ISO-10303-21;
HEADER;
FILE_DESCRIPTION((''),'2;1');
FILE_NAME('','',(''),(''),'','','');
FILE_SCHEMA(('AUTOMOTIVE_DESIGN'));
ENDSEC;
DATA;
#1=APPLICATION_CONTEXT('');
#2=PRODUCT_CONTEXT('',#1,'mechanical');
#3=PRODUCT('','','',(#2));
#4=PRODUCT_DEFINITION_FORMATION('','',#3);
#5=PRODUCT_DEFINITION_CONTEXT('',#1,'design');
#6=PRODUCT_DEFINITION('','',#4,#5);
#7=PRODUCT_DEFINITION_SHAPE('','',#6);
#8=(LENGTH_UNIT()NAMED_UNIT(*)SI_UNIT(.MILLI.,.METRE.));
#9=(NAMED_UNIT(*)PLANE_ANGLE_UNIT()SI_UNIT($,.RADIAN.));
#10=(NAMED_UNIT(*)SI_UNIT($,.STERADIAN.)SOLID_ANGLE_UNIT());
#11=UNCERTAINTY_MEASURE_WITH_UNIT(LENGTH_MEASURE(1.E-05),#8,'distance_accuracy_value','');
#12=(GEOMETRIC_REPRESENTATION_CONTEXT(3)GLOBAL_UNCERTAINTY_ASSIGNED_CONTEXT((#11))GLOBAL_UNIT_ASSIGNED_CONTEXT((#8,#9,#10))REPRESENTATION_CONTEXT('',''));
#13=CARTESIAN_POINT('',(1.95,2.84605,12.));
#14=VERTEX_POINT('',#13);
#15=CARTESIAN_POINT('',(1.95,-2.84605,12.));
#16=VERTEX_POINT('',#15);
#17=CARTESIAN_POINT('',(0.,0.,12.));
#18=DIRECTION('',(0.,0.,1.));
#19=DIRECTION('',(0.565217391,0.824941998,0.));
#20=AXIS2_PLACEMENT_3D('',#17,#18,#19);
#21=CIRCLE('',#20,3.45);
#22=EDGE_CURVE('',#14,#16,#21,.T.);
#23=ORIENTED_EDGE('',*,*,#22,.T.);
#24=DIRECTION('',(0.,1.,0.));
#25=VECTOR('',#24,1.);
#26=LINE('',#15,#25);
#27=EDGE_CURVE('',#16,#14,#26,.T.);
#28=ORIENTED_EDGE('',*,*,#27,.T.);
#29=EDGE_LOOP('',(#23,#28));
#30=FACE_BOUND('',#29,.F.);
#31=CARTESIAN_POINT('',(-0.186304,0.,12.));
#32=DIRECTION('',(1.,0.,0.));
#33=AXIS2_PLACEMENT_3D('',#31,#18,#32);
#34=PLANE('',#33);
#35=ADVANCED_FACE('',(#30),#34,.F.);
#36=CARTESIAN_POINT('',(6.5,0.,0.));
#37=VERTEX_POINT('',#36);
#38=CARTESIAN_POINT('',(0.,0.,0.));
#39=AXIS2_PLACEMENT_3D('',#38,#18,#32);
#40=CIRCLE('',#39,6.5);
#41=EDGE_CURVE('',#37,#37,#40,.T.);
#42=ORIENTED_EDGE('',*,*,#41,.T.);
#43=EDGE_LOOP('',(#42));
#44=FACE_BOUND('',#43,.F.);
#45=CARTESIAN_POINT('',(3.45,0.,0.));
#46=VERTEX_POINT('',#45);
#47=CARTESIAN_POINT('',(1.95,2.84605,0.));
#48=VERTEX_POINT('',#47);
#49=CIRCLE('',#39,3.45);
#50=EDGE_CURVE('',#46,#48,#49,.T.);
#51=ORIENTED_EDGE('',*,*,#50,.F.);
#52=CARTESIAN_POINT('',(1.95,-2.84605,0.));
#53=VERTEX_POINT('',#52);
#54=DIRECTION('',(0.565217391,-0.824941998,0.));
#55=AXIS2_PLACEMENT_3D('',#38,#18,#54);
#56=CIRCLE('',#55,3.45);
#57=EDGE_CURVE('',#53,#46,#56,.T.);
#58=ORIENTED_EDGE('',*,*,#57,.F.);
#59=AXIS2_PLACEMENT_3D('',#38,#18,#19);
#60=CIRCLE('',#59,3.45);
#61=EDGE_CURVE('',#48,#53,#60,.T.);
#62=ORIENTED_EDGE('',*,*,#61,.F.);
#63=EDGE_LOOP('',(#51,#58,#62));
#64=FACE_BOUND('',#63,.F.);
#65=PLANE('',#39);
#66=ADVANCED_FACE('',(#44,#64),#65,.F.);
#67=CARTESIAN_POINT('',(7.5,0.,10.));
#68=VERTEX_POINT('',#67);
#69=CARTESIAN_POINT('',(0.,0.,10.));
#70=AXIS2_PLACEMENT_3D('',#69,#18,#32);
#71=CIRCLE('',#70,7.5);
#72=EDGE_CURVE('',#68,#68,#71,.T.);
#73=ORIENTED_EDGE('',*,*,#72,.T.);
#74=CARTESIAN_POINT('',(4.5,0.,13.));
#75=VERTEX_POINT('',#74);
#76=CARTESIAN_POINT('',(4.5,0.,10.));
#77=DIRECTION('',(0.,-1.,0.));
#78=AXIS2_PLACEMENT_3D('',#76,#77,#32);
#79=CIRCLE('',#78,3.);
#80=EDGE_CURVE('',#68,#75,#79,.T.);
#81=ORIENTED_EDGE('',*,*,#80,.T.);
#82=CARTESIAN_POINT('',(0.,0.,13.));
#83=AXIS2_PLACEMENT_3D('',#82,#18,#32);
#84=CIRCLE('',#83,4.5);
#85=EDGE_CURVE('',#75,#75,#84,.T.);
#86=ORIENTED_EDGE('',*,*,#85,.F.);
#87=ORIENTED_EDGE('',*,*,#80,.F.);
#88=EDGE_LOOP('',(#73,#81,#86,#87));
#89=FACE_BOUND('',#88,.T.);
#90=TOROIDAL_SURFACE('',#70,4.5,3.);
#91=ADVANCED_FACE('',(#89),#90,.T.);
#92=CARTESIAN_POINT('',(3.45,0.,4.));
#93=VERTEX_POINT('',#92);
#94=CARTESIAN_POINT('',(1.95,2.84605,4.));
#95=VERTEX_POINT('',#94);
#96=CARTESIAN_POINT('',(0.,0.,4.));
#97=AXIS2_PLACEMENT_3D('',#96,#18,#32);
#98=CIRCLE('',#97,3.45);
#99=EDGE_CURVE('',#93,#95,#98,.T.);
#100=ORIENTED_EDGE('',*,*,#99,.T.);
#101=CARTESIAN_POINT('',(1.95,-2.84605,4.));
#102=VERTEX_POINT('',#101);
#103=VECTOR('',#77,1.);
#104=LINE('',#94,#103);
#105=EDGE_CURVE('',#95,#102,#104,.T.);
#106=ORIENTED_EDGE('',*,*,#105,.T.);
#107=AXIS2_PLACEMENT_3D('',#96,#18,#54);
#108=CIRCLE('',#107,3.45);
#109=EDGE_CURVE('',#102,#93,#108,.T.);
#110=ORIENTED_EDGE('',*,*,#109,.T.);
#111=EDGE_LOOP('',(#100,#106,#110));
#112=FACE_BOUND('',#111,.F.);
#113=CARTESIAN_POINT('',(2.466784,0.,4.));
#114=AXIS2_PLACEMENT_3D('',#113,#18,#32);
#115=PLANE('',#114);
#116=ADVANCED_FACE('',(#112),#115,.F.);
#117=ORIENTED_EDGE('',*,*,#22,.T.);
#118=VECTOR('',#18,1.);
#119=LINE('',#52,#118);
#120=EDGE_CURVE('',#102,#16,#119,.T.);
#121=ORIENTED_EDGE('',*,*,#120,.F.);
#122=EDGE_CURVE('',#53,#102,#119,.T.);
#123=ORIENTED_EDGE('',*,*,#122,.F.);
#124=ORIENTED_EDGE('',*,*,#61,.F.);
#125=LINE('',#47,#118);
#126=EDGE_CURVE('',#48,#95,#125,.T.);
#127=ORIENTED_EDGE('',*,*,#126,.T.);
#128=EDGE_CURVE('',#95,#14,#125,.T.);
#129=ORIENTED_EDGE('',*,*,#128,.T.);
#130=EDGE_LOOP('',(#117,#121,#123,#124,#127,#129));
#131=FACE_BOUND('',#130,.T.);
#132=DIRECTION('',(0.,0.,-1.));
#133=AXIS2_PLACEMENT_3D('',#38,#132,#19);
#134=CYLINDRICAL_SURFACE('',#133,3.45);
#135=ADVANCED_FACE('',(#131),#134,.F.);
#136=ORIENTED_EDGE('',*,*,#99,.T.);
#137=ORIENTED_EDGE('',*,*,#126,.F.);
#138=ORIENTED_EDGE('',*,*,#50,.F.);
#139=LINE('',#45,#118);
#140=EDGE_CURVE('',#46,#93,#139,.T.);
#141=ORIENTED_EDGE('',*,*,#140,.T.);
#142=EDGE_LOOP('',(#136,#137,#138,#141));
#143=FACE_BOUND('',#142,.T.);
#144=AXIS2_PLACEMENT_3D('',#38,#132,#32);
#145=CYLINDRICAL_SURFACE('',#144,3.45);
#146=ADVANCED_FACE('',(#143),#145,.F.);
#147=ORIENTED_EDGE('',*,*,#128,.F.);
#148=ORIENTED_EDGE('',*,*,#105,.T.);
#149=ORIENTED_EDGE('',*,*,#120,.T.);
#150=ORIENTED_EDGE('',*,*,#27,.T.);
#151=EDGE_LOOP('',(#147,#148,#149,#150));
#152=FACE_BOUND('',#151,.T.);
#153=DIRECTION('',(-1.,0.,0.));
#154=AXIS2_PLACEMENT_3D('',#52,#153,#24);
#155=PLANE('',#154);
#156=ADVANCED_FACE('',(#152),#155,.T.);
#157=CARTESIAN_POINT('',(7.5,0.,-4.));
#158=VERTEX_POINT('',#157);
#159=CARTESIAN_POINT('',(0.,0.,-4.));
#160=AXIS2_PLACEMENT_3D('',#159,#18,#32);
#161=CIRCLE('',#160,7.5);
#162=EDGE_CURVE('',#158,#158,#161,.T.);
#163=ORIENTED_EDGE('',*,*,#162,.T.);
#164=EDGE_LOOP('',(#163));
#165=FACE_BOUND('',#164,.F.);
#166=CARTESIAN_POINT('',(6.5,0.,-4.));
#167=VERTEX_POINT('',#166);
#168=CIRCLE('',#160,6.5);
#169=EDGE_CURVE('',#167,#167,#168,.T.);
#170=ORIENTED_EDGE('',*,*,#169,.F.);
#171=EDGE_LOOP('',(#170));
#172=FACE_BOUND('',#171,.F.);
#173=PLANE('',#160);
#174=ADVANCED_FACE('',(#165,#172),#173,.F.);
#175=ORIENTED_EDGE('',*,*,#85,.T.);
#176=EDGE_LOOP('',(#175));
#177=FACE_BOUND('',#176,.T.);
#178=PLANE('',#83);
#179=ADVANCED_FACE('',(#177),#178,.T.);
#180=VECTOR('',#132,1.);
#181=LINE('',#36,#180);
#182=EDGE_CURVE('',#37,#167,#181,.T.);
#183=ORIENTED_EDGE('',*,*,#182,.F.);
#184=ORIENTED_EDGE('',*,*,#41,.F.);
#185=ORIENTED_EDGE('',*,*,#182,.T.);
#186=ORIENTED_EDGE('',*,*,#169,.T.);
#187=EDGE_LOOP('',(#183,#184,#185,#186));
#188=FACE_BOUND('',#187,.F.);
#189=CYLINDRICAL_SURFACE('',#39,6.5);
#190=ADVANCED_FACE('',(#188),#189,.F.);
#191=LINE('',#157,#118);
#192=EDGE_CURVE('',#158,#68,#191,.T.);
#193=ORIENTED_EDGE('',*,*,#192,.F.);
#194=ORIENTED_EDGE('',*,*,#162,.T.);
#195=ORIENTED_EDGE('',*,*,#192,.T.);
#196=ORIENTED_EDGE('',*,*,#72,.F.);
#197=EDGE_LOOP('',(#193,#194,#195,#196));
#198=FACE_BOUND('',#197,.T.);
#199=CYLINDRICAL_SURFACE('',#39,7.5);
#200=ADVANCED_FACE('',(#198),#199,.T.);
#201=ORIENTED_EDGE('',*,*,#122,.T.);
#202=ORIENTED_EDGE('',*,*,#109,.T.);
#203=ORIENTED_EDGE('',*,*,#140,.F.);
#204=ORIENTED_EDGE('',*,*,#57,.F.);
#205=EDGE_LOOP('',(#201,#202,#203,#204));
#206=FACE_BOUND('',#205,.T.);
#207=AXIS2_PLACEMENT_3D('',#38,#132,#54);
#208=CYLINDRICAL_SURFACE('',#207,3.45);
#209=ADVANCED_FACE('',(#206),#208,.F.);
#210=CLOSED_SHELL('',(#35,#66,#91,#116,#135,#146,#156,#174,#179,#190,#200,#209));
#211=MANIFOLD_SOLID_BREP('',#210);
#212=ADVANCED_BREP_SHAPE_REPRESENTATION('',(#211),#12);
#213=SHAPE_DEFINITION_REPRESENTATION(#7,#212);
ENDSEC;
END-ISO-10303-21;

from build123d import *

# Parameters (mm, degrees)
F0_R     = 7.5
F0_R_2   = 6.5
F1_DEPTH = 13
F2_DEPTH = 12
F3_DEPTH = 4
F4_DEPTH = 4
F5_R     = 3


with BuildPart() as f1:
    # F0 (on Top) → F1 (new body)
    with BuildSketch(Plane.XY):
        Circle(F0_R)
        Circle(F0_R_2, mode=Mode.SUBTRACT)
        Circle(F0_R_2)
        with BuildLine():
            ThreePointArc((1.95, 2.8460498942), (3.0520484924, 1.6085707942), (3.45, 0))
            ThreePointArc((3.45, 0), (3.0520484924, -1.6085707942), (1.95, -2.8460498942))
            ThreePointArc((1.95, -2.8460498942), (-3.45, 0), (1.95, 2.8460498942))
        make_face(mode=Mode.SUBTRACT)
        with BuildLine():
            Line((1.95, -2.8460498942), (1.95, 2.8460498942))
            ThreePointArc((1.95, 2.8460498942), (-3.45, 0), (1.95, -2.8460498942))
        make_face()
        with BuildLine():
            ThreePointArc((1.95, -2.8460498942), (3.0520484924, -1.6085707942), (3.45, 0))
            ThreePointArc((3.45, 0), (3.0520484924, 1.6085707942), (1.95, 2.8460498942))
            Line((1.95, 2.8460498942), (1.95, -2.8460498942))
        make_face()
    extrude(amount=F1_DEPTH)

    # F0 (on Top) → F2 (cut)
    with BuildSketch(Plane.XY):
        with BuildLine():
            Line((1.95, -2.8460498942), (1.95, 2.8460498942))
            ThreePointArc((1.95, 2.8460498942), (-3.45, 0), (1.95, -2.8460498942))
        make_face()
    extrude(amount=F2_DEPTH, mode=Mode.SUBTRACT)

    # F0 (on Top) → F3 (cut)
    with BuildSketch(Plane.XY):
        with BuildLine():
            ThreePointArc((1.95, -2.8460498942), (3.0520484924, -1.6085707942), (3.45, 0))
            ThreePointArc((3.45, 0), (3.0520484924, 1.6085707942), (1.95, 2.8460498942))
            Line((1.95, 2.8460498942), (1.95, -2.8460498942))
        make_face()
    extrude(amount=F3_DEPTH, mode=Mode.SUBTRACT)

    # F0 (on Top) → F4 (join)
    with BuildSketch(Plane.XY):
        Circle(F0_R)
        Circle(F0_R_2, mode=Mode.SUBTRACT)
    extrude(amount=-F4_DEPTH)

    # F5
    f5_edges = [f1.edges().sort_by_distance(p)[0] for p in [
        (-7.5, 0, 13),
    ]]
    fillet(f5_edges, radius=F5_R)


solid = f1.part
